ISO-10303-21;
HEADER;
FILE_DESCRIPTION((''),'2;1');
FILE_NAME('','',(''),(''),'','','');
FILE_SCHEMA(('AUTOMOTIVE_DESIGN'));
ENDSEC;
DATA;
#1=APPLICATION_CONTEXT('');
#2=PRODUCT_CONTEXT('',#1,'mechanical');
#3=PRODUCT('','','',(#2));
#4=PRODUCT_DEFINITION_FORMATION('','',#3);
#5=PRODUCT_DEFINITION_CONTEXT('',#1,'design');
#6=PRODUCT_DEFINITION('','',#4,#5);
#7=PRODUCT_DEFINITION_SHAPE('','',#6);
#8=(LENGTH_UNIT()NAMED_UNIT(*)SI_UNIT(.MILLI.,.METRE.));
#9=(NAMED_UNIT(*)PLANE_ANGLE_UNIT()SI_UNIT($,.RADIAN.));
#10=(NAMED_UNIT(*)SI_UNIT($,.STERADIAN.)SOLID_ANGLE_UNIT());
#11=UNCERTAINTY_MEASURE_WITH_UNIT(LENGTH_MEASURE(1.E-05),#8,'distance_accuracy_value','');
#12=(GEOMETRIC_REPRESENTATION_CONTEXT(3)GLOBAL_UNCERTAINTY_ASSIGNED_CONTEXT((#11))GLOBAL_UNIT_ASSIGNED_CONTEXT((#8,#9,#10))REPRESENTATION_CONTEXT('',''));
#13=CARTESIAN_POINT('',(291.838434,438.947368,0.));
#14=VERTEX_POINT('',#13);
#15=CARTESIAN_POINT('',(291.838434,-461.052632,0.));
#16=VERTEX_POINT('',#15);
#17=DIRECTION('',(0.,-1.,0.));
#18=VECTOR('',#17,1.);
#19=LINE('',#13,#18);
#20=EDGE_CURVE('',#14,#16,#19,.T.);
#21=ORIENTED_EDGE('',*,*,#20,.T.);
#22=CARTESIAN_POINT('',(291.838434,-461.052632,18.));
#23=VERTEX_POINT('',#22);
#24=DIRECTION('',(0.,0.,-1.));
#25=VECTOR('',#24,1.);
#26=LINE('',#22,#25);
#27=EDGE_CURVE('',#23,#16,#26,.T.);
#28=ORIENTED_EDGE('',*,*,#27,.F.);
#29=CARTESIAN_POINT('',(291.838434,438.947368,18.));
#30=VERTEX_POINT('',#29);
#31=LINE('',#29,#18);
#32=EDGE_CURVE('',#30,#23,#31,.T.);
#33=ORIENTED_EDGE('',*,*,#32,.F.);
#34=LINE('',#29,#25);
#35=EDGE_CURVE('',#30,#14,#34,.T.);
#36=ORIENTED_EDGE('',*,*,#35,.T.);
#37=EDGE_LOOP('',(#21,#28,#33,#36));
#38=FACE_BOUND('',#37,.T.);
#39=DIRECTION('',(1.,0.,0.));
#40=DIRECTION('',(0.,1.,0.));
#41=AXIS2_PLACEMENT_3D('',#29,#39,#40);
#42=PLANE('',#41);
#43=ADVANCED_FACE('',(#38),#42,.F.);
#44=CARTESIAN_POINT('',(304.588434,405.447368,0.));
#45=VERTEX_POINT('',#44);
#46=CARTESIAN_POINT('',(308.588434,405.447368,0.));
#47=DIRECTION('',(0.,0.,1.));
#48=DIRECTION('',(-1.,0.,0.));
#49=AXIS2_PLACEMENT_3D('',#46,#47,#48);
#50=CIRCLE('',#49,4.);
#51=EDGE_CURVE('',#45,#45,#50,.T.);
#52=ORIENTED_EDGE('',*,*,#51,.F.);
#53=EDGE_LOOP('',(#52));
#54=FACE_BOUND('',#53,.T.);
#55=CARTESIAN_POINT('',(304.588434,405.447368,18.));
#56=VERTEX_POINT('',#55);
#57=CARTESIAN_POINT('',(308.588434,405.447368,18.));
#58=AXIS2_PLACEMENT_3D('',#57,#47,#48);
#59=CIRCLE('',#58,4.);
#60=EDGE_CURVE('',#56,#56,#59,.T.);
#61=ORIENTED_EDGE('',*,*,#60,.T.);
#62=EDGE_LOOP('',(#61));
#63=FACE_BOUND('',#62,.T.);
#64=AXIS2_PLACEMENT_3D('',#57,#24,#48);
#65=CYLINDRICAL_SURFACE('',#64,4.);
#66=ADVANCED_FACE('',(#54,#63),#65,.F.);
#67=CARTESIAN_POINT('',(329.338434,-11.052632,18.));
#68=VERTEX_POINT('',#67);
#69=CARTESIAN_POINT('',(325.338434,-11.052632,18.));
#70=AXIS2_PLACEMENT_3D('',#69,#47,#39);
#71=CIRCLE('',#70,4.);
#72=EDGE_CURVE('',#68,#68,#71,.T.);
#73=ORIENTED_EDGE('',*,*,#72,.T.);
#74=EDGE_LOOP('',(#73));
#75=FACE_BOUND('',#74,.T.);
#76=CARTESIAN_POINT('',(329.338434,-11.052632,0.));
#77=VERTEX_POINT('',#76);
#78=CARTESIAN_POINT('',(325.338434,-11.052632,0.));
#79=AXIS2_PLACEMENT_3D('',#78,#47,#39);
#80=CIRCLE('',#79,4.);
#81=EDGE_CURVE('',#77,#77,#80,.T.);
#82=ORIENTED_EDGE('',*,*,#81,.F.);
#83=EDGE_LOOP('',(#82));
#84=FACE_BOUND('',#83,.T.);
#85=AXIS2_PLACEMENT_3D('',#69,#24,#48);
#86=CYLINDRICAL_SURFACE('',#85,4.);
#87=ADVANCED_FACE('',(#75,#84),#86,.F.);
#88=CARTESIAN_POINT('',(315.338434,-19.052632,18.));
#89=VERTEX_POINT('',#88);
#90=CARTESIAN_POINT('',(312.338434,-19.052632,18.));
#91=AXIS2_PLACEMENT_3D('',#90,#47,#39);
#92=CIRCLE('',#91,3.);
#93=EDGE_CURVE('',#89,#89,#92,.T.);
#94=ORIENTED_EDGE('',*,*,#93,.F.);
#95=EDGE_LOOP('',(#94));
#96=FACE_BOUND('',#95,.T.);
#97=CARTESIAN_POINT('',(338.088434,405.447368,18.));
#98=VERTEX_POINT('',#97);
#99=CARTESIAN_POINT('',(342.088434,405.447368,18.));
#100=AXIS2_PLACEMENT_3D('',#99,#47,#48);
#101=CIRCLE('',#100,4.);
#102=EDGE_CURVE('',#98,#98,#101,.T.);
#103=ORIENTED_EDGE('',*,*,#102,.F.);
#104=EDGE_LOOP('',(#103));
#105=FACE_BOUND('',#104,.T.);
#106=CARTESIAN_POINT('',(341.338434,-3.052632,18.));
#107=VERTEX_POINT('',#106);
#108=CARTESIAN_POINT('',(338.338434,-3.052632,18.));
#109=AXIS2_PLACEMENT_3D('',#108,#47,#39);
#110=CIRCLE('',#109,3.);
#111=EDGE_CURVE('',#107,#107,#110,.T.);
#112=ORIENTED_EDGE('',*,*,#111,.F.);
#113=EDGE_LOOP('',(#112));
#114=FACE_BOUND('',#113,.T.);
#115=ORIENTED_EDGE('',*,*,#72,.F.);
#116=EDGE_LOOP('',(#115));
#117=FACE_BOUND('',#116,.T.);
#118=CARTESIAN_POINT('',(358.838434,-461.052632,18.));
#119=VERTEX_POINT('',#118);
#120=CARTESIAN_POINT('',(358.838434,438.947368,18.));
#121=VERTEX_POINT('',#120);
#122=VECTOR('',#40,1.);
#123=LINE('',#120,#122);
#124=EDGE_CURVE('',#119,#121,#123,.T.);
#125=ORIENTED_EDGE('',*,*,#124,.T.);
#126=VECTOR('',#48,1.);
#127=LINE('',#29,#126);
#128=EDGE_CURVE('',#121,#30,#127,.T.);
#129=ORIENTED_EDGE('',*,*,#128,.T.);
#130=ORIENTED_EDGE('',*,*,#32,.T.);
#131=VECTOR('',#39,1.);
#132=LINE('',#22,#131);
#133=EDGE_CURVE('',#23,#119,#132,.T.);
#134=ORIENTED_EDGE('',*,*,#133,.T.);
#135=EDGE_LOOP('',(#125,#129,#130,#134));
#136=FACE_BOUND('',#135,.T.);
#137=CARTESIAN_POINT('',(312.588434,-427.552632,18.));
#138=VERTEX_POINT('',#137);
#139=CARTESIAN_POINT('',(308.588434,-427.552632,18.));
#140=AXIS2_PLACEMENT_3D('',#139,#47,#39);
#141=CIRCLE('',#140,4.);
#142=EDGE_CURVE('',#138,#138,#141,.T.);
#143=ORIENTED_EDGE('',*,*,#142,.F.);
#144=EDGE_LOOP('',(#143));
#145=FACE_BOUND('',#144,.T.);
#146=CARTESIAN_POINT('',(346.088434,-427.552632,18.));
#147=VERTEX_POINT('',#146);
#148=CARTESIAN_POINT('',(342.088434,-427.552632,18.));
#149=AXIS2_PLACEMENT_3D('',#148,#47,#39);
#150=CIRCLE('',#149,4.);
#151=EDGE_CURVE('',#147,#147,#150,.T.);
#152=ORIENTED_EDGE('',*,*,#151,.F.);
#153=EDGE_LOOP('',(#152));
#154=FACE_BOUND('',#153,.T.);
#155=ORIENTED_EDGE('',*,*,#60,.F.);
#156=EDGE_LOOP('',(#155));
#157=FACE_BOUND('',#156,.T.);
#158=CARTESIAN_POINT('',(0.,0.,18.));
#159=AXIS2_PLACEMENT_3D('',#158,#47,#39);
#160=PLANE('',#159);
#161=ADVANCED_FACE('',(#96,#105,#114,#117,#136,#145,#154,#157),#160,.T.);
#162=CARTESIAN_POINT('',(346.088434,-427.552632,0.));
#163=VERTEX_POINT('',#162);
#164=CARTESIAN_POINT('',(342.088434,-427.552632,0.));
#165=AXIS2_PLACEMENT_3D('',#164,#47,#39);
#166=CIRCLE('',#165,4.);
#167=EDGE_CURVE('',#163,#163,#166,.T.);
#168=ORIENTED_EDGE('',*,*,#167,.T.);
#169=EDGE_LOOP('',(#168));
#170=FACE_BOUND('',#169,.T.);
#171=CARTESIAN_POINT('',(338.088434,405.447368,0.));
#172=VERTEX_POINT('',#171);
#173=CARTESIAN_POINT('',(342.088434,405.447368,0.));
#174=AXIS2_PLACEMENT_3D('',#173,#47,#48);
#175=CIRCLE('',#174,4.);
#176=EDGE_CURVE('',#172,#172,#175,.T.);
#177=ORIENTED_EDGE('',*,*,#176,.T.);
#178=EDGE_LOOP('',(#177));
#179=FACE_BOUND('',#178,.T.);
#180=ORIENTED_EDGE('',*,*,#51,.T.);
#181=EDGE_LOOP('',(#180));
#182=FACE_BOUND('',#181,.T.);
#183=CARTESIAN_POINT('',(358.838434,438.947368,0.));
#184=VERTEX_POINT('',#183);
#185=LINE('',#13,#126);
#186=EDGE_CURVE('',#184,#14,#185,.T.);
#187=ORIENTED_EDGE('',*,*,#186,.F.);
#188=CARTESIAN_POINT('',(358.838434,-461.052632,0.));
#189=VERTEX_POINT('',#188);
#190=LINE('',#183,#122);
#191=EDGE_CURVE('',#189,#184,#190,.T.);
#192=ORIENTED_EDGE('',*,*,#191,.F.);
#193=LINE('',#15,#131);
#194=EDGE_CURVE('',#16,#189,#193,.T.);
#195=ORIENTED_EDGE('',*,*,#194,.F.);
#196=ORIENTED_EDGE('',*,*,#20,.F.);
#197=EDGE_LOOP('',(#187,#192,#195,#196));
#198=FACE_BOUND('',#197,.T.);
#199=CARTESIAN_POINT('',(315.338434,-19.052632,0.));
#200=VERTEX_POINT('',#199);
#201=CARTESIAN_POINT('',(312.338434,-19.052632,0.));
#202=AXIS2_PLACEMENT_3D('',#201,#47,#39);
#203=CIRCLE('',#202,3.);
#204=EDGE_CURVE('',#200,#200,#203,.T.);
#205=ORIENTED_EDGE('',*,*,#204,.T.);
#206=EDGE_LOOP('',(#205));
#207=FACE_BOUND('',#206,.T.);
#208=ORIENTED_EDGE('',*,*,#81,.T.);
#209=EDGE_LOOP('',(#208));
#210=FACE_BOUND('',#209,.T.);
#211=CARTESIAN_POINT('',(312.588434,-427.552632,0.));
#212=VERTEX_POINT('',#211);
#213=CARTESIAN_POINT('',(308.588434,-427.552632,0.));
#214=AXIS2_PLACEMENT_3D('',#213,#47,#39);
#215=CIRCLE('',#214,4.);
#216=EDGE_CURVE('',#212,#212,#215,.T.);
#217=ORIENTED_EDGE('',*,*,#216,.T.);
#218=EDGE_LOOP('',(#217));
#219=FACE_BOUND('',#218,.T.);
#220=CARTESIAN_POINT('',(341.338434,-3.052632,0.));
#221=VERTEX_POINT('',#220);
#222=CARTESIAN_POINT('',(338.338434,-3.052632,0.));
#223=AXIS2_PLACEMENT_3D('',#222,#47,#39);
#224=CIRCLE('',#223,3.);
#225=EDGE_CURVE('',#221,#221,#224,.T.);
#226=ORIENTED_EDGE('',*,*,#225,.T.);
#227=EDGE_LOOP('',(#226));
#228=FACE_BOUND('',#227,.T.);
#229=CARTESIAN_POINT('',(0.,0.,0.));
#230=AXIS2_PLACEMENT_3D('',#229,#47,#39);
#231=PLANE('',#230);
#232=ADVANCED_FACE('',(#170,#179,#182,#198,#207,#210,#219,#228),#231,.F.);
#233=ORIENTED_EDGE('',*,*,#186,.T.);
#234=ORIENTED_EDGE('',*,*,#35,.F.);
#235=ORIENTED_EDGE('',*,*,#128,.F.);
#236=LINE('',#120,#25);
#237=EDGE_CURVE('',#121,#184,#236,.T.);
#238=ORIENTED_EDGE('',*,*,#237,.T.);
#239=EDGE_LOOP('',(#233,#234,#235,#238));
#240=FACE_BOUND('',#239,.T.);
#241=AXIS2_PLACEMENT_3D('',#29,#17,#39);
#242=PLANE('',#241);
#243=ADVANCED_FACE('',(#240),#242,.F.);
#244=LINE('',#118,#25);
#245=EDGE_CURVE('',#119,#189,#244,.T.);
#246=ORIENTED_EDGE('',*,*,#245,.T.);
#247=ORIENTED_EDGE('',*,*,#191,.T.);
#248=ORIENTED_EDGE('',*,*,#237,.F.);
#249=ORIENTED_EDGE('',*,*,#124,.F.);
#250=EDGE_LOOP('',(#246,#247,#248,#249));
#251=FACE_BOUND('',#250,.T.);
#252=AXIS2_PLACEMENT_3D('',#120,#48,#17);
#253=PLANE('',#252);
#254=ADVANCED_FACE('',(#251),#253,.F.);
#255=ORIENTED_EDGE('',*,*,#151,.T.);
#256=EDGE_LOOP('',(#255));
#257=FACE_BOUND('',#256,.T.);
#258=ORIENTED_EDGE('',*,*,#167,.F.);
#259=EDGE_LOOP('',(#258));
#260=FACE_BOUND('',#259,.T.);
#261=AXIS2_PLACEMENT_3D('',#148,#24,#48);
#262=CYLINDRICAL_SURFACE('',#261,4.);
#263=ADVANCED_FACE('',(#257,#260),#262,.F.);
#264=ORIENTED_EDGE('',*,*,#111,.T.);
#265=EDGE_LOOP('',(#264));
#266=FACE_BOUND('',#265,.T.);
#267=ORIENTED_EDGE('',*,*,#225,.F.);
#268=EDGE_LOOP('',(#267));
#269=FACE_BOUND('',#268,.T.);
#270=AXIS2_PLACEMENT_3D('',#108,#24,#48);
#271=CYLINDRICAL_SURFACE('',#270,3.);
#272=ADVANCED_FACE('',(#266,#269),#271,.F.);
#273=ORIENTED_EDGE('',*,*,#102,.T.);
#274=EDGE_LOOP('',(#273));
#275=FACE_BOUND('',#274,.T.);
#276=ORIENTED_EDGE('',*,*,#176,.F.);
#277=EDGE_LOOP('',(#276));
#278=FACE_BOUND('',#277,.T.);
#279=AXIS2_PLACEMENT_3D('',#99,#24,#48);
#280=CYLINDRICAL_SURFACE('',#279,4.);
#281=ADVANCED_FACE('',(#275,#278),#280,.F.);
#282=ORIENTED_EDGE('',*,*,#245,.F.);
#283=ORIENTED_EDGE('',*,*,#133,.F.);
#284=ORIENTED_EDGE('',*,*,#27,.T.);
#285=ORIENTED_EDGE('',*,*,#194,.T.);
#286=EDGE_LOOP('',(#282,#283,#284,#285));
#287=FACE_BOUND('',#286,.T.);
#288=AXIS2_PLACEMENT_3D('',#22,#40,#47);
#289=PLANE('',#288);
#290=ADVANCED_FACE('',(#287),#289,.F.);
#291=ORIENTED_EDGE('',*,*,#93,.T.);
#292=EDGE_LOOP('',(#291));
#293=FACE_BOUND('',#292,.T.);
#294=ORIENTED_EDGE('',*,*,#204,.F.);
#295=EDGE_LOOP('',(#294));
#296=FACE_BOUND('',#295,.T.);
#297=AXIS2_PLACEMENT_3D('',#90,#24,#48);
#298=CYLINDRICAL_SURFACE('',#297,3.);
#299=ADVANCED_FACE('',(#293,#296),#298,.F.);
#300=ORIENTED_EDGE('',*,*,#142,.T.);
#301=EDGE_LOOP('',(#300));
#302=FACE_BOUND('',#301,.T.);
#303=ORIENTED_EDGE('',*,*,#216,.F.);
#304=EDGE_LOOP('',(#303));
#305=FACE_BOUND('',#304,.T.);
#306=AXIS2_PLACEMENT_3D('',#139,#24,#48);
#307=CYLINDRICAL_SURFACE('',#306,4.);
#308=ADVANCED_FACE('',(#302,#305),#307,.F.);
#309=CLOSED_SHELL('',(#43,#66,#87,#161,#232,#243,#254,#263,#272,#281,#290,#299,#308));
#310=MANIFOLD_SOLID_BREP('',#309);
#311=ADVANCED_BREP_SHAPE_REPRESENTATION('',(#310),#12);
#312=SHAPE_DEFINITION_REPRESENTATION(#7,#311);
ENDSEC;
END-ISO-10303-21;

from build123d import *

# Parameters (mm, degrees)
WOODBASE_W          = 67
WOODBASE_H          = 900
WOODBASE_R          = 4
WOODBASE_R_2        = 3
BOSS_EXTRUDE1_DEPTH = 18


with BuildPart() as part:
    # woodbase → Boss-Extrude1 (new body)
    with BuildSketch(Plane.XY):
        with Locations((325.338433817, -11.052631579)):
            Rectangle(WOODBASE_W, WOODBASE_H)
        with Locations((325.338433817, -11.052631579)):
            Circle(WOODBASE_R, mode=Mode.SUBTRACT)
        with Locations((312.338433817, -19.052631579)):
            Circle(WOODBASE_R_2, mode=Mode.SUBTRACT)
        with Locations((338.338433817, -3.052631579)):
            Circle(WOODBASE_R_2, mode=Mode.SUBTRACT)
        with Locations((308.588433817, -427.552631579)):
            Circle(WOODBASE_R, mode=Mode.SUBTRACT)
        with Locations((342.088433817, -427.552631579)):
            Circle(WOODBASE_R, mode=Mode.SUBTRACT)
        with Locations(Location((342.088433817, 405.447368421, 0), (0, 0, 180))):
            Circle(WOODBASE_R, mode=Mode.SUBTRACT)
        with Locations(Location((308.588433817, 405.447368421, 0), (0, 0, 180))):
            Circle(WOODBASE_R, mode=Mode.SUBTRACT)
    extrude(amount=BOSS_EXTRUDE1_DEPTH)


solid = part.part
